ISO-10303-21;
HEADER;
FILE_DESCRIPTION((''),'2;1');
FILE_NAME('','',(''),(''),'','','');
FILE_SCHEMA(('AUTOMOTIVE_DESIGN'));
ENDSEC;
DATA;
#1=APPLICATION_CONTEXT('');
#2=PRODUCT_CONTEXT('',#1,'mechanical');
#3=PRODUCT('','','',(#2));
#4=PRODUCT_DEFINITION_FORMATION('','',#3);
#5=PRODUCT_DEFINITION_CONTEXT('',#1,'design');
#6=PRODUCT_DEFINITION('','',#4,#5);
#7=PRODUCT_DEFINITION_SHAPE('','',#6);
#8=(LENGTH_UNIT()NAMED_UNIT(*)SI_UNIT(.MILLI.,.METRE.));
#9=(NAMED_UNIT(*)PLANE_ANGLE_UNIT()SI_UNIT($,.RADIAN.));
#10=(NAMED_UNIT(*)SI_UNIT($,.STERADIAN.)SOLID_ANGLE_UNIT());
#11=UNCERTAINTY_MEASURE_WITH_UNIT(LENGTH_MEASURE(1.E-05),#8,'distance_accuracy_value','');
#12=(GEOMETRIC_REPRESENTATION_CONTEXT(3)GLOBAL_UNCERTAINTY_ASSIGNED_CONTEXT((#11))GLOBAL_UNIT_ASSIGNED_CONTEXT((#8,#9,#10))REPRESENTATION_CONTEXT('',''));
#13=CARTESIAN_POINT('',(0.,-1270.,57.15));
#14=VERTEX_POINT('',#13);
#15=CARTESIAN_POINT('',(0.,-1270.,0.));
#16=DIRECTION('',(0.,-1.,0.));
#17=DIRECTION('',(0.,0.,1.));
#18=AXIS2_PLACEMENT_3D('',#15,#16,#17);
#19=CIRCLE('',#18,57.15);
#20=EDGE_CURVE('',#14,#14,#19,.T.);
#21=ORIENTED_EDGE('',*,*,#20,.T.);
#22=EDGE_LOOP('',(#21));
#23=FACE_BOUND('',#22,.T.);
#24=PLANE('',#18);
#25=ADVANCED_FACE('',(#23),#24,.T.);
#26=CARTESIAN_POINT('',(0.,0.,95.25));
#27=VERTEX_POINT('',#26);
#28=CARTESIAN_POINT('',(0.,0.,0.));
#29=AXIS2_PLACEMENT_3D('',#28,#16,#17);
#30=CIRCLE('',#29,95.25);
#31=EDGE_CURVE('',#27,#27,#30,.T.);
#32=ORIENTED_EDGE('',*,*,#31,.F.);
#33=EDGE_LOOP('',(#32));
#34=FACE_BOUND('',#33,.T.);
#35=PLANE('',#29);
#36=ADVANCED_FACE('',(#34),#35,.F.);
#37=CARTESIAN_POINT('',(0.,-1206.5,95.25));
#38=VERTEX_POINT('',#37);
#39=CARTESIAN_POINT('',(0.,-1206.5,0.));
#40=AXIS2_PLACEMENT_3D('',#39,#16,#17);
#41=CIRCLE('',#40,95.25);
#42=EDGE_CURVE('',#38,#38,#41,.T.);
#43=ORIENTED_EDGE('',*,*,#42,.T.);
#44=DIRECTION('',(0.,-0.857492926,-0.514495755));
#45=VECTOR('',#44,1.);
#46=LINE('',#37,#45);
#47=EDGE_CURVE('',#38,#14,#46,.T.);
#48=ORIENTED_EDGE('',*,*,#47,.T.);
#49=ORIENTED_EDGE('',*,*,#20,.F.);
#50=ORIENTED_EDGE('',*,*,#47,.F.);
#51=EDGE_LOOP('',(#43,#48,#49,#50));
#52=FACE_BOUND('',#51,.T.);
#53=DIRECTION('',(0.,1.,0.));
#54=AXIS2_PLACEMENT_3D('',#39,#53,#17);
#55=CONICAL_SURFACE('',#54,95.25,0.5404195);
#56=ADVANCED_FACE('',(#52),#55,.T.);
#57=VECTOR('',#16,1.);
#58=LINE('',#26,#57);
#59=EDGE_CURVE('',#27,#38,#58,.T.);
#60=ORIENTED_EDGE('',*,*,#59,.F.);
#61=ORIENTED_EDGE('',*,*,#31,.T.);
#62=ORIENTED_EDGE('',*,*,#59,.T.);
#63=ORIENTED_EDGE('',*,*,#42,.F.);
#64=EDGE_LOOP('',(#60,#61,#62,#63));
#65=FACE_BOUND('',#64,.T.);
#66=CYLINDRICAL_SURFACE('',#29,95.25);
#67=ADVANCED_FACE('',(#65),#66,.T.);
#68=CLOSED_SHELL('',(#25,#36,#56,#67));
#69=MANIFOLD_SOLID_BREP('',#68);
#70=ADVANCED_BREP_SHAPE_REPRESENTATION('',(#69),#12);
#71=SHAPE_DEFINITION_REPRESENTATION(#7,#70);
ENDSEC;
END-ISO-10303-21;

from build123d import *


with BuildPart() as f1:
    # F0 (on Right) → F1 (revolve)
    with BuildSketch(Plane.YZ):
        Polygon((-1270, 57.15), (-1270, 0), (0, 0), (0, 95.25), (-1206.5, 95.25), align=None)
    revolve(axis=Axis((0, -635, 0), (0, -1, 0)))


solid = f1.part
